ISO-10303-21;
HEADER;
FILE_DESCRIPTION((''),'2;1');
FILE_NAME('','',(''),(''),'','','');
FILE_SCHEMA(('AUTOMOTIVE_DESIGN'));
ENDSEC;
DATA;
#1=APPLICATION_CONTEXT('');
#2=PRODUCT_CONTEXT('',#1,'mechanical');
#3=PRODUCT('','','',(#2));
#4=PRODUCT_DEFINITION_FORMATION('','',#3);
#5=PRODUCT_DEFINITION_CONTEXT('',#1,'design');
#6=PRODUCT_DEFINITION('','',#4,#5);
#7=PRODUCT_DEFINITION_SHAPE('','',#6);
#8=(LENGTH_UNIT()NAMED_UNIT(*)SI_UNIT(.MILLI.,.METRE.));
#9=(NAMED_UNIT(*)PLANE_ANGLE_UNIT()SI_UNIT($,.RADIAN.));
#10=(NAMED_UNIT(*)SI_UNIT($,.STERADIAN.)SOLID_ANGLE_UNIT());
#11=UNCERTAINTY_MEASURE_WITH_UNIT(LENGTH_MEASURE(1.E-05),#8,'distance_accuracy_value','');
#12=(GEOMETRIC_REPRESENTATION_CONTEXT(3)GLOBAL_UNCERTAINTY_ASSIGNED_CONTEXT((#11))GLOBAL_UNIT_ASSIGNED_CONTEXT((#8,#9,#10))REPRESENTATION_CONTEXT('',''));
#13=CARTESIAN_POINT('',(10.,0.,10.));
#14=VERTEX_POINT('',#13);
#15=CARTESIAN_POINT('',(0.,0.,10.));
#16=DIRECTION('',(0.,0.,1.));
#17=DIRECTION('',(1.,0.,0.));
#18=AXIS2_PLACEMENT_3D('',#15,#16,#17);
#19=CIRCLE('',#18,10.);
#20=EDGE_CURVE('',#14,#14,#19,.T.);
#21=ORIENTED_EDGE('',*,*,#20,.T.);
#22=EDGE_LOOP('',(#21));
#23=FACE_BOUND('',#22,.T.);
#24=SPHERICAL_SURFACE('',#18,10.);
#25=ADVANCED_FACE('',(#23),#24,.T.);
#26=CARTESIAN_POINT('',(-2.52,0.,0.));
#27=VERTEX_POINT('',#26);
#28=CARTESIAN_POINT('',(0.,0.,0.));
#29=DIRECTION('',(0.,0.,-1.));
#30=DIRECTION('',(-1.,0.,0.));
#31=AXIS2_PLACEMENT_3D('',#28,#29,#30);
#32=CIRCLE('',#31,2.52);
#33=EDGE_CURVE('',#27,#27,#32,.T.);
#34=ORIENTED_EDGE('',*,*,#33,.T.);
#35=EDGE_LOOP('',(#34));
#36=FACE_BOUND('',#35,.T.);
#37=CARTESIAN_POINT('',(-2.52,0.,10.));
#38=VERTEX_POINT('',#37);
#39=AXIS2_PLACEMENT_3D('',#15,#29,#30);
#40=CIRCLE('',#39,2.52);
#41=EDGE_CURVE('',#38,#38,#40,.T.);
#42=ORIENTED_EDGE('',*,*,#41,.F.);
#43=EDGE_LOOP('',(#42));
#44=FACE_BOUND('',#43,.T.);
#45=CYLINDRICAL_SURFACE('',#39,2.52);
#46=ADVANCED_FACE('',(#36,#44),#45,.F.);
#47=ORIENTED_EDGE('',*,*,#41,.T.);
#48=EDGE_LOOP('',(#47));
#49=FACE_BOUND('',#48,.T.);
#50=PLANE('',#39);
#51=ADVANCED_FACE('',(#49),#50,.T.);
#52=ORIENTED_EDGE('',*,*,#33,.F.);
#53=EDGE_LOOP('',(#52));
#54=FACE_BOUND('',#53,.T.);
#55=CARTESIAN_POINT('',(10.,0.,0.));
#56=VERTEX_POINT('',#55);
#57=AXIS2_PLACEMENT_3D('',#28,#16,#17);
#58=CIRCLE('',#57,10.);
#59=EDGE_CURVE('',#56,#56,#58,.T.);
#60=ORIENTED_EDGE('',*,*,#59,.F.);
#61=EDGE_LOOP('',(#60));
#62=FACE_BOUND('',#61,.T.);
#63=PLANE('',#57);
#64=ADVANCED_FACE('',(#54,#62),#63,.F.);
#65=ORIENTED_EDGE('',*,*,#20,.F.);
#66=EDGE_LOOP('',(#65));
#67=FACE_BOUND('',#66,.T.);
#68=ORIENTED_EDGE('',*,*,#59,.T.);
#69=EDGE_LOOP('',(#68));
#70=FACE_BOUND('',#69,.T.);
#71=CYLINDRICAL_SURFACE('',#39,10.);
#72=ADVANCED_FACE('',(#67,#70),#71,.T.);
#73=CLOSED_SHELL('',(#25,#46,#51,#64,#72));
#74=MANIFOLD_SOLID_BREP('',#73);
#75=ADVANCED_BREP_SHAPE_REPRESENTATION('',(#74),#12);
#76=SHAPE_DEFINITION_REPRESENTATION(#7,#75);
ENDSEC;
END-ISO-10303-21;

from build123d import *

# Parameters (mm, degrees)
ESQUISSE1_R             = 10
BOSS_EXTRU_1_DEPTH      = 10
D_ME1_FACE_RADIUS       = 10
D_ME1_HEIGHT            = 10
ESQUISSE2_R             = 2.52
ENL_V_MAT_EXTRU_1_DEPTH = 10


with BuildPart() as part:
    # Esquisse1 → Boss.-Extru.1 (new body)
    with BuildSketch(Plane.XY):
        Circle(ESQUISSE1_R)
    extrude(amount=BOSS_EXTRU_1_DEPTH)

    # Dôme1: a dome of height H over a round flat face of radius A is a cap of a sphere of radius (A * A + H * H) / (2 * H)
    d_me1_r = (D_ME1_FACE_RADIUS * D_ME1_FACE_RADIUS + D_ME1_HEIGHT * D_ME1_HEIGHT) / (2 * D_ME1_HEIGHT)
    d_me1_base = Plane((0, 0, 10), z_dir=(0, 0, 1))
    with Locations(d_me1_base.offset(D_ME1_HEIGHT - d_me1_r)):
        d_me1_ball = Sphere(d_me1_r, mode=Mode.PRIVATE)
    add(split(d_me1_ball, bisect_by=d_me1_base, keep=Keep.TOP, mode=Mode.PRIVATE))

    # Esquisse2 → Enlèv. mat.-Extru.1 (cut)
    with BuildSketch(Plane(origin=(0, 0, 0), x_dir=(-1, 0, 0), z_dir=(0, 0, -1))):
        Circle(ESQUISSE2_R)
    extrude(amount=-ENL_V_MAT_EXTRU_1_DEPTH, mode=Mode.SUBTRACT)


solid = part.part
